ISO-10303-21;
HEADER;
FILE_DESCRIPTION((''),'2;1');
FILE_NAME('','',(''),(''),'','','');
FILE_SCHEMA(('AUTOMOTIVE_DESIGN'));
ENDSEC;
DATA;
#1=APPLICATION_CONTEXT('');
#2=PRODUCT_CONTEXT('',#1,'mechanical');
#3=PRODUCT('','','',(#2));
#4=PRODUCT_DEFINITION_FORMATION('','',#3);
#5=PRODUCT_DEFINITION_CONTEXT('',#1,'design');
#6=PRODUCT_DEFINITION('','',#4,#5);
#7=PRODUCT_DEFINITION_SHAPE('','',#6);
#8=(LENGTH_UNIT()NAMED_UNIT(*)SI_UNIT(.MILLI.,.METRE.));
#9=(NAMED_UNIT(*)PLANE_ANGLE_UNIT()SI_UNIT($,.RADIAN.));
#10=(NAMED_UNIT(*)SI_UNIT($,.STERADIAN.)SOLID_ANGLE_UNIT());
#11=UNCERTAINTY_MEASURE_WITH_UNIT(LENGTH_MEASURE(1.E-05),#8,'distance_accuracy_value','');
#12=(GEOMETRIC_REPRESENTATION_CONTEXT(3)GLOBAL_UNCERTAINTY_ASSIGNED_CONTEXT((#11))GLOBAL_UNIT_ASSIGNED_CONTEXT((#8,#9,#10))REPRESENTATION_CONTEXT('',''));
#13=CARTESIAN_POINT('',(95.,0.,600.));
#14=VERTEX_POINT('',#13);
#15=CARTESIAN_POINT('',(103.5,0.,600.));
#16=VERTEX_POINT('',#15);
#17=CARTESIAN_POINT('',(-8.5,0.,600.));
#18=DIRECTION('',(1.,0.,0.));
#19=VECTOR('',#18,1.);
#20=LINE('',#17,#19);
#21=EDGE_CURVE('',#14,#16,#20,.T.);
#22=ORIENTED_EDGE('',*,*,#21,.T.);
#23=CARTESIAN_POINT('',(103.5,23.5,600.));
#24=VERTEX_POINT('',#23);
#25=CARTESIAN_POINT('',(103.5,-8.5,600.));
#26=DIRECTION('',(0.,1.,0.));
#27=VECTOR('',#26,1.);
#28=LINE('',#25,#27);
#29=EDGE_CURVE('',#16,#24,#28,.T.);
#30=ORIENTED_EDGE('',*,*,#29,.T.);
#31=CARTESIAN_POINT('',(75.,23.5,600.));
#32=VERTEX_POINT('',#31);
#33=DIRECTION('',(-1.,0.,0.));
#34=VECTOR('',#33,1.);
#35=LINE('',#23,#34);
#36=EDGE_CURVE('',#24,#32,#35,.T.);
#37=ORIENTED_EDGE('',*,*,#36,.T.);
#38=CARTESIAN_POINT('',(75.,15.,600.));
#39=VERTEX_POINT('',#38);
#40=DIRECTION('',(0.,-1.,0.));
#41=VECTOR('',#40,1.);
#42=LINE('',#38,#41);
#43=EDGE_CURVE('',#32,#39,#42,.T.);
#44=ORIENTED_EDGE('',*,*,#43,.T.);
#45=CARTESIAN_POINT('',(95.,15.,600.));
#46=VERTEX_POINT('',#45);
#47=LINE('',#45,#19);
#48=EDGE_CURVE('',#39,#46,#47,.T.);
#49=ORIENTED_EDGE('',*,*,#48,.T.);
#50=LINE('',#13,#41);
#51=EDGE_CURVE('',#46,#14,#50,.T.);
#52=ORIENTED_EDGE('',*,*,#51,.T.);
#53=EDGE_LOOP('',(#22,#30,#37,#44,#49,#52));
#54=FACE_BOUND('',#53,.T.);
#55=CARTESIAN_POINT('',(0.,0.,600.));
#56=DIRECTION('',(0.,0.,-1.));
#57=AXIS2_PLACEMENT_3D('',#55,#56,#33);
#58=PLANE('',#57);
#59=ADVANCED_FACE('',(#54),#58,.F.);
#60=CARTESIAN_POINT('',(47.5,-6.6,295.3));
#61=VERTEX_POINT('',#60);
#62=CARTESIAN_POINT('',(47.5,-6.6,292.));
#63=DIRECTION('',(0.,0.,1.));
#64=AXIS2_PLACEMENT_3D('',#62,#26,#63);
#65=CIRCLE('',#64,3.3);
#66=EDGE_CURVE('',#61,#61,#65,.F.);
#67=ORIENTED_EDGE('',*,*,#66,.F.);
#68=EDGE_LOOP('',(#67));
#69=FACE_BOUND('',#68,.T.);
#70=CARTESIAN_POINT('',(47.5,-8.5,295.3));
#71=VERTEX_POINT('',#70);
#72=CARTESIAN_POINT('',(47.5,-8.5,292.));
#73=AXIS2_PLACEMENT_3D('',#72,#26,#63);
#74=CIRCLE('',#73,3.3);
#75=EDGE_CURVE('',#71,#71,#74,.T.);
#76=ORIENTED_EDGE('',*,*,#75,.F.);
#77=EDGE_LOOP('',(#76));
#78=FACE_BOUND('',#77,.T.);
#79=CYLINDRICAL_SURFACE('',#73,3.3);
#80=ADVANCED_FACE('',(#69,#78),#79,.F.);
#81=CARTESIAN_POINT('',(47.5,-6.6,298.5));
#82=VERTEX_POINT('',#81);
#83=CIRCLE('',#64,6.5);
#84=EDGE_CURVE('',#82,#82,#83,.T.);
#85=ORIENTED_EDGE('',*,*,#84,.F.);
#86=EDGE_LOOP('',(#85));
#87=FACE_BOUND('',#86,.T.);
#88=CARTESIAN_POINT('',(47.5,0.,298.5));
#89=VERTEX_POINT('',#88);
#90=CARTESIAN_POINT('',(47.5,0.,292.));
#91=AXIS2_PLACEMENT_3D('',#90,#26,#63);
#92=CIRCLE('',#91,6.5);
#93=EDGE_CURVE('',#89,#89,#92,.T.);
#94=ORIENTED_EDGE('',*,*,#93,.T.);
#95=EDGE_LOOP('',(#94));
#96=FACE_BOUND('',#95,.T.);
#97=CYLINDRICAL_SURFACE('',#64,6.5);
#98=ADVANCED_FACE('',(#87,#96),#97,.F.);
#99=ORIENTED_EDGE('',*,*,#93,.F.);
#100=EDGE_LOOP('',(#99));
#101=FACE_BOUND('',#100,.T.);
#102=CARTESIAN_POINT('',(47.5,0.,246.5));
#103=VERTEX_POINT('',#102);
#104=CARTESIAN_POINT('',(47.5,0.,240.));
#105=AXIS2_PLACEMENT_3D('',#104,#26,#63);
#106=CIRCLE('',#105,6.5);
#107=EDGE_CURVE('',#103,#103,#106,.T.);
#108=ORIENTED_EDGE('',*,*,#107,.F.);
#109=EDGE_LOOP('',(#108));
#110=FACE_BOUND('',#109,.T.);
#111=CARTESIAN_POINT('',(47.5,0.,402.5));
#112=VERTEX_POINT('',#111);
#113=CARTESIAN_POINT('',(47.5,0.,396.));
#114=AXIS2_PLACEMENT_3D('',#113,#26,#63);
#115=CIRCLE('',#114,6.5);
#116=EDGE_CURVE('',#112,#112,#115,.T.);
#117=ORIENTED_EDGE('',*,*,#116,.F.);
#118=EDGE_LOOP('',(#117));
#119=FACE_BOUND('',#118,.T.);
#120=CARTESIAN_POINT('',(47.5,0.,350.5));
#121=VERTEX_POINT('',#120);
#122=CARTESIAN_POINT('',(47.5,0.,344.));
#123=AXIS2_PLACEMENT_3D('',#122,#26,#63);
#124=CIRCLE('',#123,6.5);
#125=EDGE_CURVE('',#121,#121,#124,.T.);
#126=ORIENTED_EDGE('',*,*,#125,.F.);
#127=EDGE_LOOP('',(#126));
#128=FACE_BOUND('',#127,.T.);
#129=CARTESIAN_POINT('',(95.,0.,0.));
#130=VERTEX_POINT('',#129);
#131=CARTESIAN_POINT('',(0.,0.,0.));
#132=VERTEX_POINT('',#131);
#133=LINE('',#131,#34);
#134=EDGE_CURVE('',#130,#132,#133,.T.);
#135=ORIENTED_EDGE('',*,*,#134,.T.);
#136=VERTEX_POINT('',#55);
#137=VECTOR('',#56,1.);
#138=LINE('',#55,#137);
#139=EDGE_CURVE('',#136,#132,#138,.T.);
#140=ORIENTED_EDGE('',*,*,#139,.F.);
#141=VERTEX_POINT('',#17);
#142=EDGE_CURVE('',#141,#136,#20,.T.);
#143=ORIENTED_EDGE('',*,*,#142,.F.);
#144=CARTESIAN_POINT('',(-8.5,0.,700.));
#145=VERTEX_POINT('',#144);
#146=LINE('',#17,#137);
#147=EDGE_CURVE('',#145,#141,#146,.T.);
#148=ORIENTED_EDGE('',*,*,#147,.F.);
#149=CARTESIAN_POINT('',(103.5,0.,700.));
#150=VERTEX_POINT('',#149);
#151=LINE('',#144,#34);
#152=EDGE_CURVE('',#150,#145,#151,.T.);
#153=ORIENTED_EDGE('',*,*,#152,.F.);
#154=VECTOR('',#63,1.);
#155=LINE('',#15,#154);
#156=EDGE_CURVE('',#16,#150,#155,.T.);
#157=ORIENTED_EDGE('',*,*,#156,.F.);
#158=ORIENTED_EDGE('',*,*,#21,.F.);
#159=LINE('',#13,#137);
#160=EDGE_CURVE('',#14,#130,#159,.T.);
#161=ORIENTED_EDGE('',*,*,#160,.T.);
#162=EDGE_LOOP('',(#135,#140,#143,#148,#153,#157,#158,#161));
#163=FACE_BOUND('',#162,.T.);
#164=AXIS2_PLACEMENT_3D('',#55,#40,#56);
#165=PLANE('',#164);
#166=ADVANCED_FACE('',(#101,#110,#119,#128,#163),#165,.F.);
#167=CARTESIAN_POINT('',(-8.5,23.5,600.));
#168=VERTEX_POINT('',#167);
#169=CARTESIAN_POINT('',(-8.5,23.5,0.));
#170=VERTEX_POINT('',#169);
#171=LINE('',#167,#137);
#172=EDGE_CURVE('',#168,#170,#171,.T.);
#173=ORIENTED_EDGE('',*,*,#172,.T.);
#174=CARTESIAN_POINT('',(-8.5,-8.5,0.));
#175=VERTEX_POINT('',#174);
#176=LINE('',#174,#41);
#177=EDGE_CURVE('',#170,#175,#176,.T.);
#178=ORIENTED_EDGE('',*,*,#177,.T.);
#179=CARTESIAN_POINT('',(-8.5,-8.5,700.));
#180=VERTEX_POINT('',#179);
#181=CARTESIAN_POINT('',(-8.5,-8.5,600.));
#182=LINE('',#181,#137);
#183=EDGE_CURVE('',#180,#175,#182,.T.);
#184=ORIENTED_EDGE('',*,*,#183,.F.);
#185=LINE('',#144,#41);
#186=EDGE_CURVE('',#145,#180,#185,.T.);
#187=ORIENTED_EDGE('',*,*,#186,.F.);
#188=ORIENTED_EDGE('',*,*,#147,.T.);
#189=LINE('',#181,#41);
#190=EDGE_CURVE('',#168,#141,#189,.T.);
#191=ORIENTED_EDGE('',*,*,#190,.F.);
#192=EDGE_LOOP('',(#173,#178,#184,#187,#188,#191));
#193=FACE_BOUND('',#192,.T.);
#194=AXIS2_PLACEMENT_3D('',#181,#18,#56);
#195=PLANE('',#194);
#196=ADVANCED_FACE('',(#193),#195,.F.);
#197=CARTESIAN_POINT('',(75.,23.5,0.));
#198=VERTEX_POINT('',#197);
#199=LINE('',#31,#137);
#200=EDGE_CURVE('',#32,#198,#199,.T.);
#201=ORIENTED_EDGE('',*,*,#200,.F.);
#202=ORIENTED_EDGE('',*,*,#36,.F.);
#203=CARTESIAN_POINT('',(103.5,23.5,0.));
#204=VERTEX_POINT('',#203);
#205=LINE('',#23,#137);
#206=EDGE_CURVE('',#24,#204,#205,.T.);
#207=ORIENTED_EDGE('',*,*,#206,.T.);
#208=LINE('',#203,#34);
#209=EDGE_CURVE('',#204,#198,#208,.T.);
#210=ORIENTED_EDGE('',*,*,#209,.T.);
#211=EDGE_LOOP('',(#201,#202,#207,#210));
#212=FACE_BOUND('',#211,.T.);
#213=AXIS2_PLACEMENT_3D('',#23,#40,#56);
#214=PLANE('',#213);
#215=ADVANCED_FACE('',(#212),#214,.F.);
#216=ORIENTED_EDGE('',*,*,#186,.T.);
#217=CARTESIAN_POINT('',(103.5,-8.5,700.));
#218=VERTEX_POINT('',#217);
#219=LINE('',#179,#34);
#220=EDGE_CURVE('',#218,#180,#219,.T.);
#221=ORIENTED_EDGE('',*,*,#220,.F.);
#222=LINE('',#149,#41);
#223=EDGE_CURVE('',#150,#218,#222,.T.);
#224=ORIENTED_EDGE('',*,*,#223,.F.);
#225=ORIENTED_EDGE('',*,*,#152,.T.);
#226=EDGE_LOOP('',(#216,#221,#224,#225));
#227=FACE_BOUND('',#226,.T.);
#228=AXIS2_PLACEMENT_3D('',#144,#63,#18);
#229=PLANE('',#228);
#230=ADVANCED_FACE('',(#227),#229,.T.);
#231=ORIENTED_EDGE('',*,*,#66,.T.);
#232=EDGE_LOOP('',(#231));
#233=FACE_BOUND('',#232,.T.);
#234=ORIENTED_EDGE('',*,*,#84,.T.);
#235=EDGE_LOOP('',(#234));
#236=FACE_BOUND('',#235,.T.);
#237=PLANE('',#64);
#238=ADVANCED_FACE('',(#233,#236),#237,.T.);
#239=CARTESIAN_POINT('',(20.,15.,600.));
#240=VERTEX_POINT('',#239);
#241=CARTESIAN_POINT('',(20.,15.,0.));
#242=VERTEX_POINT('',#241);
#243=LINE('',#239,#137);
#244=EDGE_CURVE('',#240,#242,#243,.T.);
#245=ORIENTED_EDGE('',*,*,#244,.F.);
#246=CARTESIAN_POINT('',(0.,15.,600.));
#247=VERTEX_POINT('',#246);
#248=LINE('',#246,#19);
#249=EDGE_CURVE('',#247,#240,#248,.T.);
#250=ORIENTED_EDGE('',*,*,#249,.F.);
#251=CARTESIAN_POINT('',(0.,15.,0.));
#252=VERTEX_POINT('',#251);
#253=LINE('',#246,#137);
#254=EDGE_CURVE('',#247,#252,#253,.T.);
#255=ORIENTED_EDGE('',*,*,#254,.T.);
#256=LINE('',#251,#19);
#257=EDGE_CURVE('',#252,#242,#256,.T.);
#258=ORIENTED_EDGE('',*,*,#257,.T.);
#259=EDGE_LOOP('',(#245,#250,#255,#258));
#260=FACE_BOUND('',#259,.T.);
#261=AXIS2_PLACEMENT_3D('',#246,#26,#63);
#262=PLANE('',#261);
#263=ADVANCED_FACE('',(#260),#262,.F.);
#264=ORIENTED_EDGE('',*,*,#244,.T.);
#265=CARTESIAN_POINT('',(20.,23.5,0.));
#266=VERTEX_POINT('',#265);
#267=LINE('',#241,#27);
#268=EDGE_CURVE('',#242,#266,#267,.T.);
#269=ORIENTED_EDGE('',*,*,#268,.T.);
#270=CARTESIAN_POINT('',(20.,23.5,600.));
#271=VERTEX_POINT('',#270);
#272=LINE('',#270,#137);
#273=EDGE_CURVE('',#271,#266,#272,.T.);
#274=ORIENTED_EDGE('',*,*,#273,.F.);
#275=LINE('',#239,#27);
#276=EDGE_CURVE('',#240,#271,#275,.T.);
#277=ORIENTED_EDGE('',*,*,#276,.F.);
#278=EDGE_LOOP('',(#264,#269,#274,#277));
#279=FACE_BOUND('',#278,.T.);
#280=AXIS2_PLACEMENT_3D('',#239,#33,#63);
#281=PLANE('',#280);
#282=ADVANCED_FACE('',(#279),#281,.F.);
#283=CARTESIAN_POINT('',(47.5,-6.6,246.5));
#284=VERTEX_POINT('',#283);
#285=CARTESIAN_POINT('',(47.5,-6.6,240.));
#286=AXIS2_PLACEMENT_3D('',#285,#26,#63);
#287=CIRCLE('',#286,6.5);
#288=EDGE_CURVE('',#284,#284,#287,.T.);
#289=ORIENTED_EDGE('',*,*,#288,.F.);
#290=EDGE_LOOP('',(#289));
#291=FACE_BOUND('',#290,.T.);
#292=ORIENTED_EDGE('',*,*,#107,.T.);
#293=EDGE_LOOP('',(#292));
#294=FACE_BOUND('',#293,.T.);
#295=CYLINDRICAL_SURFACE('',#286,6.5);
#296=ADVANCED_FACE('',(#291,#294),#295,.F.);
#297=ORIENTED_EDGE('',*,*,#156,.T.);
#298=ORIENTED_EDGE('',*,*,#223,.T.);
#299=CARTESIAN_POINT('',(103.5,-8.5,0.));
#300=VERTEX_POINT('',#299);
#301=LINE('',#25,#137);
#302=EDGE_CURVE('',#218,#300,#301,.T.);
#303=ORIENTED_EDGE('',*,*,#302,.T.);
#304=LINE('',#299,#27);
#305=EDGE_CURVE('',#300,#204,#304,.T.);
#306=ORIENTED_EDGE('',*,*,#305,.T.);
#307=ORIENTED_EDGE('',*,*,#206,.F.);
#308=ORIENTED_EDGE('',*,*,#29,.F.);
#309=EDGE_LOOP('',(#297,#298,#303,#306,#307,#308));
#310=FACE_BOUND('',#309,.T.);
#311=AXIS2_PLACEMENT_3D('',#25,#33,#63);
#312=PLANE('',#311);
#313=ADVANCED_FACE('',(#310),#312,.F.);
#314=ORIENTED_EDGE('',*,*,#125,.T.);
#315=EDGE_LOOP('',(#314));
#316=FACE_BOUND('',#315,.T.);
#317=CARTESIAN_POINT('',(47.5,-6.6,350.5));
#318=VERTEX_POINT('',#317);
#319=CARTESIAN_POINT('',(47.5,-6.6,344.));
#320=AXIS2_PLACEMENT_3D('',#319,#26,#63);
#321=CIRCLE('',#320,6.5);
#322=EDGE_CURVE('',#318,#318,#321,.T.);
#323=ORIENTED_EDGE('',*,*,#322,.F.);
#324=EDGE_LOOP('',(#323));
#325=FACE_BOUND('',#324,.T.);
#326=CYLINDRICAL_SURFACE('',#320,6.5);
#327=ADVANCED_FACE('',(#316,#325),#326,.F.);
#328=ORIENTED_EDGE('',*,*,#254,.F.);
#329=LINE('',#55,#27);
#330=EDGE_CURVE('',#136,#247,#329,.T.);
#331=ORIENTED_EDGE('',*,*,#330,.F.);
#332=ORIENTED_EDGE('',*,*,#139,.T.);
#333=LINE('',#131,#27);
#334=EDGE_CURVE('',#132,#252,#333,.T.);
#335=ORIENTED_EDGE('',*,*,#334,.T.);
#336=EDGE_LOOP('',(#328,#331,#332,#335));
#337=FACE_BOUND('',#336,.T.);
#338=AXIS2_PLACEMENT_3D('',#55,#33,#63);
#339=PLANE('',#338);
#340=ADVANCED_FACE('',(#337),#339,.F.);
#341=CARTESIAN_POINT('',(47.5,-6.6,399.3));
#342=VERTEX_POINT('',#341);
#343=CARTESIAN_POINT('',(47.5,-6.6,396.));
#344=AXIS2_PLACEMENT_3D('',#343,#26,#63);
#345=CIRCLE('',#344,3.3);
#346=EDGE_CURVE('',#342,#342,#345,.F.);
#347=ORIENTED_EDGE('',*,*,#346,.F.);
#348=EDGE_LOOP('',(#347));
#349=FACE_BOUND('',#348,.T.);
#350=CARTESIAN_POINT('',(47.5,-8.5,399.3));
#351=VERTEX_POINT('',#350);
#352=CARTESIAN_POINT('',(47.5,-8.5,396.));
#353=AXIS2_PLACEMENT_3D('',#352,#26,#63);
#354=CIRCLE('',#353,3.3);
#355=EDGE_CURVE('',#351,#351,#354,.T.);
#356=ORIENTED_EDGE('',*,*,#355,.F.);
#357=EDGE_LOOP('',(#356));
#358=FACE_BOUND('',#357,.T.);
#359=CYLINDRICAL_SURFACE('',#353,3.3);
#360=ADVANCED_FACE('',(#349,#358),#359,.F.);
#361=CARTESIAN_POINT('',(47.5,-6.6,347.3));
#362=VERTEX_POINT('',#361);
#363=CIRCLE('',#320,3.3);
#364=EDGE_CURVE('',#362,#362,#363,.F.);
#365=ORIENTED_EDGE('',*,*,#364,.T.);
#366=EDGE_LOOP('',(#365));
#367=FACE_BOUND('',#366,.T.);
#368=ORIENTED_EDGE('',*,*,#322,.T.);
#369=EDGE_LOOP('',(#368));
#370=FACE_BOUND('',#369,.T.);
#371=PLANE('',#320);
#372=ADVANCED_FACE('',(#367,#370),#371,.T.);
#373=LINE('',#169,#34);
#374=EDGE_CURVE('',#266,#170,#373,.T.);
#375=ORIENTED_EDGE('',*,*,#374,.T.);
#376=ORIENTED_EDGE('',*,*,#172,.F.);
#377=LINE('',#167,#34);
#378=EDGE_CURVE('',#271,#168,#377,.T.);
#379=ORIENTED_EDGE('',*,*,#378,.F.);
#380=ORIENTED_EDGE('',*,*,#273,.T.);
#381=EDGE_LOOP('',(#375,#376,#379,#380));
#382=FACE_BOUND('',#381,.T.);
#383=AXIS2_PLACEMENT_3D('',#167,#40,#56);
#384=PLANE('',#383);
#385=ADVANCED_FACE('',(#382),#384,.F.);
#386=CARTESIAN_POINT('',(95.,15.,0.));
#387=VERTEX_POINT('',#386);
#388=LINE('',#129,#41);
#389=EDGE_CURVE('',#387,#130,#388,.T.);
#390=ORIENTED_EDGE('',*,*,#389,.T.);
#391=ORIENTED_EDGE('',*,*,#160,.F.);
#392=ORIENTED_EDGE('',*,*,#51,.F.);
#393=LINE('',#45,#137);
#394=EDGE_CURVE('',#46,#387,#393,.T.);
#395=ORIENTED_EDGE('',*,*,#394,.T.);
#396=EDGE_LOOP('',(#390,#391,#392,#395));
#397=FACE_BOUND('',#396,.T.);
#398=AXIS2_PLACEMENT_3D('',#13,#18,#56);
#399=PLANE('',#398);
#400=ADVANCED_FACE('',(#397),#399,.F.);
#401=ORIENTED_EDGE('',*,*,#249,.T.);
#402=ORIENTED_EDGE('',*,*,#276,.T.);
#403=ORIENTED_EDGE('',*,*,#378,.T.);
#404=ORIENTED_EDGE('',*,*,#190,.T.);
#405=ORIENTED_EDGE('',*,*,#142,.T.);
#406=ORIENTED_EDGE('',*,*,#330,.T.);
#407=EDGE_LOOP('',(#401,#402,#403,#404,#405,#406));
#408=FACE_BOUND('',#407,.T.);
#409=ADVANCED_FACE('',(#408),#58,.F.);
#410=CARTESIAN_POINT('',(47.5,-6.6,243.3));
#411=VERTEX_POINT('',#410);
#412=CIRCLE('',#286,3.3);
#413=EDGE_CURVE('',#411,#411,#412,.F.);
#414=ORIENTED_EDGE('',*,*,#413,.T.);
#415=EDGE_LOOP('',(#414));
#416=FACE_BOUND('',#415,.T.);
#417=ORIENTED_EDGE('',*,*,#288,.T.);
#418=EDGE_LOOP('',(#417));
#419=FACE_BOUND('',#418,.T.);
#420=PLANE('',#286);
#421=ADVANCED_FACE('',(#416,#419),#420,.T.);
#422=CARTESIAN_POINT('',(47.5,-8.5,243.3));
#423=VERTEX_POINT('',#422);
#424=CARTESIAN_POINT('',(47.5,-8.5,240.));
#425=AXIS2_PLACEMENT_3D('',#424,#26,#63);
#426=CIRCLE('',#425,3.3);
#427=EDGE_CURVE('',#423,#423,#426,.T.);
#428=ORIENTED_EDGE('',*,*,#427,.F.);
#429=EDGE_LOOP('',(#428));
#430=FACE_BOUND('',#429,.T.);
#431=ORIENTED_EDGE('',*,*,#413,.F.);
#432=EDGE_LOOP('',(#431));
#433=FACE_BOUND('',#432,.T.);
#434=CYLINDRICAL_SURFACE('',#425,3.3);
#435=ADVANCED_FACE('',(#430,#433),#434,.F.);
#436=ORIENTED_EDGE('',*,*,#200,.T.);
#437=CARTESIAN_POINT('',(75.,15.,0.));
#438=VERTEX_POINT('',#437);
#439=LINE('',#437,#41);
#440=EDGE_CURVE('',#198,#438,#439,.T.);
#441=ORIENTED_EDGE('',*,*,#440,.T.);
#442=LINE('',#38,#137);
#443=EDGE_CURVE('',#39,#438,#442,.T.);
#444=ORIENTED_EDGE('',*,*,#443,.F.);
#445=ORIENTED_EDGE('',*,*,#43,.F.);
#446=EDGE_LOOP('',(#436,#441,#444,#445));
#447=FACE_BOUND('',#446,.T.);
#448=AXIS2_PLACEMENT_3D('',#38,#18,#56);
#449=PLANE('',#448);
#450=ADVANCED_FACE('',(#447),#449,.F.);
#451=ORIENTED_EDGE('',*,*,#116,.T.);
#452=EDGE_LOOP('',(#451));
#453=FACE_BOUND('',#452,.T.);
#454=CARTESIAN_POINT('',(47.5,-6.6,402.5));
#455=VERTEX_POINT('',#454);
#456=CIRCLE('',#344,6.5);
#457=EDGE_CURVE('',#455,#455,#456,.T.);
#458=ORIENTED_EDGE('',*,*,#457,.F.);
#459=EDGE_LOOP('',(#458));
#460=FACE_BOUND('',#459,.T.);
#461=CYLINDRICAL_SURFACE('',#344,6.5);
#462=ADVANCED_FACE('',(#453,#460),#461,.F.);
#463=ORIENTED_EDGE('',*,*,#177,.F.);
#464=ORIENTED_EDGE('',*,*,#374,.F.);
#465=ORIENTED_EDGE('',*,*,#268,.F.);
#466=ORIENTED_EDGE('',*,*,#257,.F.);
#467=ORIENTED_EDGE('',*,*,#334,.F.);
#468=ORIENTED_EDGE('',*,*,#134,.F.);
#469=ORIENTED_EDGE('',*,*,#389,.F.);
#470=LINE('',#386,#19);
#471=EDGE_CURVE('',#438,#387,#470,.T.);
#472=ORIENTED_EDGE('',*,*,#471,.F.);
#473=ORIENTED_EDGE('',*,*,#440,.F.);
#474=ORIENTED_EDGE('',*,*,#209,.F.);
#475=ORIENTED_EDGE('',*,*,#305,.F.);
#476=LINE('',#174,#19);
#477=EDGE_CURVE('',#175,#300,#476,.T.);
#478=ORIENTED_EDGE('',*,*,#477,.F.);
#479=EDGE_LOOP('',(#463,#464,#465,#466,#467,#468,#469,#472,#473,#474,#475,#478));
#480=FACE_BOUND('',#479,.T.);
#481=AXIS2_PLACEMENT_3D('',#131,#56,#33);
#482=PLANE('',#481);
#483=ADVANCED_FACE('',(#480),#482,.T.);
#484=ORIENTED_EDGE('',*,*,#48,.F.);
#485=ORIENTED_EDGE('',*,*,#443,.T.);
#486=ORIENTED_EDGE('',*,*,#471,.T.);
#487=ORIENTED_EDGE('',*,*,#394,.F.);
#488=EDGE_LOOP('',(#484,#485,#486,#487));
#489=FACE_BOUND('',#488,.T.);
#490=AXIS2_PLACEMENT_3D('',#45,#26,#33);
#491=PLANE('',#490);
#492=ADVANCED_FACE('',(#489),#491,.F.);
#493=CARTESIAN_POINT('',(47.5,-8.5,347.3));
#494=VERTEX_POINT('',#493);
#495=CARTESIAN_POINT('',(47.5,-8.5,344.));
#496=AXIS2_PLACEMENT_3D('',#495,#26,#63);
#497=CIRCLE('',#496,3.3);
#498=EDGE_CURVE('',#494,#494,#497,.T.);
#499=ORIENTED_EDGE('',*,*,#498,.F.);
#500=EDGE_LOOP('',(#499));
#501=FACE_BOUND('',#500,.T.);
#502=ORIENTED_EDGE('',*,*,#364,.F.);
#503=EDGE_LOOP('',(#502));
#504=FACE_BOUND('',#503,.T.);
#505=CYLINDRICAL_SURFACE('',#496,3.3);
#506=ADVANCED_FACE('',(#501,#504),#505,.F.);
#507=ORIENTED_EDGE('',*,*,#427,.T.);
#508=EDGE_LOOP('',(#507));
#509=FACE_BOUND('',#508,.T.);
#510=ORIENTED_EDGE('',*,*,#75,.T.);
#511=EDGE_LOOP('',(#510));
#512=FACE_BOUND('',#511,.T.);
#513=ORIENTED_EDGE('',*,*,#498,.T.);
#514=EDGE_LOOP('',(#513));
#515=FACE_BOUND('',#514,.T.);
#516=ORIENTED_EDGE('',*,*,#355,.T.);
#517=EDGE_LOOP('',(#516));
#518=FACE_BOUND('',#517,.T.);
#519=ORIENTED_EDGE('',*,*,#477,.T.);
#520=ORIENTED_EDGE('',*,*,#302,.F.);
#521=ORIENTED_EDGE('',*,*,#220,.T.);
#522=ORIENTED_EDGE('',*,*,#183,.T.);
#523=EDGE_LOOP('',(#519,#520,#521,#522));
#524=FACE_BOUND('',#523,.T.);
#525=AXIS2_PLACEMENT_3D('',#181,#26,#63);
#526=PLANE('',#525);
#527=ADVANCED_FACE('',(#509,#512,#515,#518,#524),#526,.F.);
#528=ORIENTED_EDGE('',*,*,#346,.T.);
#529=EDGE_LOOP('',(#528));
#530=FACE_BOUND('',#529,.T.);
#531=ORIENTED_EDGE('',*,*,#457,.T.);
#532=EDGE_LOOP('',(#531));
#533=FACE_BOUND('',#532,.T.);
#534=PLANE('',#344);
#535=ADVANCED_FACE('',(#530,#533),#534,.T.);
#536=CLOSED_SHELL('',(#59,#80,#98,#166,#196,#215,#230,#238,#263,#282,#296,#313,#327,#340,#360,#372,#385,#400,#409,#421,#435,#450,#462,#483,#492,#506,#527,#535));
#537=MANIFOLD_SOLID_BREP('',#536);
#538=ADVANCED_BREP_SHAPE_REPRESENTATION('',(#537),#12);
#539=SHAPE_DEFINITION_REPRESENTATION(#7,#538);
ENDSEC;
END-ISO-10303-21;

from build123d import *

# Parameters (mm, degrees)
BOSS_EXTRUDE1_DEPTH = 600
SKETCH4_W           = 112
SKETCH4_H           = 100
BOSS_EXTRUDE2_DEPTH = 8.5
SKETCH6_R           = 3.3
CUT_EXTRUDE1_DEPTH  = 9.5
SKETCH7_R           = 6.5
CUT_EXTRUDE2_DEPTH  = 6.6


with BuildPart() as part:
    # Sketch1 → Boss-Extrude1 (new body)
    with BuildSketch(Plane.XY):
        Polygon((0, 0), (95, 0), (95, 15), (75, 15), (75, 23.5), (103.5, 23.5), (103.5, -8.5), (-8.5, -8.5), (-8.5, 23.5), (20, 23.5), (20, 15), (0, 15), align=None)
    extrude(amount=BOSS_EXTRUDE1_DEPTH)

    # Sketch4 → Boss-Extrude2 (add)
    with BuildSketch(Plane.XZ.offset(8.5)):
        with Locations((47.5, 650)):
            Rectangle(SKETCH4_W, SKETCH4_H)
    extrude(amount=-BOSS_EXTRUDE2_DEPTH)

    # Sketch6 → Cut-Extrude1 (cut, through all)
    with BuildSketch(Plane(origin=(0, 0, 0), x_dir=(1, 0, 0), z_dir=(0, 1, 0))):
        with Locations((47.5, -240)):
            Circle(SKETCH6_R)
        with Locations((47.5, -292)):
            Circle(SKETCH6_R)
        with Locations((47.5, -344)):
            Circle(SKETCH6_R)
        with Locations((47.5, -396)):
            Circle(SKETCH6_R)
    extrude(amount=-CUT_EXTRUDE1_DEPTH, mode=Mode.SUBTRACT)

    # Sketch7 → Cut-Extrude2 (cut)
    with BuildSketch(Plane(origin=(0, 0, 0), x_dir=(1, 0, 0), z_dir=(0, 1, 0))):
        with Locations((47.5, -240)):
            Circle(SKETCH7_R)
        with Locations((47.5, -292)):
            Circle(SKETCH7_R)
        with Locations((47.5, -344)):
            Circle(SKETCH7_R)
        with Locations((47.5, -396)):
            Circle(SKETCH7_R)
    extrude(amount=-CUT_EXTRUDE2_DEPTH, mode=Mode.SUBTRACT)


solid = part.part
